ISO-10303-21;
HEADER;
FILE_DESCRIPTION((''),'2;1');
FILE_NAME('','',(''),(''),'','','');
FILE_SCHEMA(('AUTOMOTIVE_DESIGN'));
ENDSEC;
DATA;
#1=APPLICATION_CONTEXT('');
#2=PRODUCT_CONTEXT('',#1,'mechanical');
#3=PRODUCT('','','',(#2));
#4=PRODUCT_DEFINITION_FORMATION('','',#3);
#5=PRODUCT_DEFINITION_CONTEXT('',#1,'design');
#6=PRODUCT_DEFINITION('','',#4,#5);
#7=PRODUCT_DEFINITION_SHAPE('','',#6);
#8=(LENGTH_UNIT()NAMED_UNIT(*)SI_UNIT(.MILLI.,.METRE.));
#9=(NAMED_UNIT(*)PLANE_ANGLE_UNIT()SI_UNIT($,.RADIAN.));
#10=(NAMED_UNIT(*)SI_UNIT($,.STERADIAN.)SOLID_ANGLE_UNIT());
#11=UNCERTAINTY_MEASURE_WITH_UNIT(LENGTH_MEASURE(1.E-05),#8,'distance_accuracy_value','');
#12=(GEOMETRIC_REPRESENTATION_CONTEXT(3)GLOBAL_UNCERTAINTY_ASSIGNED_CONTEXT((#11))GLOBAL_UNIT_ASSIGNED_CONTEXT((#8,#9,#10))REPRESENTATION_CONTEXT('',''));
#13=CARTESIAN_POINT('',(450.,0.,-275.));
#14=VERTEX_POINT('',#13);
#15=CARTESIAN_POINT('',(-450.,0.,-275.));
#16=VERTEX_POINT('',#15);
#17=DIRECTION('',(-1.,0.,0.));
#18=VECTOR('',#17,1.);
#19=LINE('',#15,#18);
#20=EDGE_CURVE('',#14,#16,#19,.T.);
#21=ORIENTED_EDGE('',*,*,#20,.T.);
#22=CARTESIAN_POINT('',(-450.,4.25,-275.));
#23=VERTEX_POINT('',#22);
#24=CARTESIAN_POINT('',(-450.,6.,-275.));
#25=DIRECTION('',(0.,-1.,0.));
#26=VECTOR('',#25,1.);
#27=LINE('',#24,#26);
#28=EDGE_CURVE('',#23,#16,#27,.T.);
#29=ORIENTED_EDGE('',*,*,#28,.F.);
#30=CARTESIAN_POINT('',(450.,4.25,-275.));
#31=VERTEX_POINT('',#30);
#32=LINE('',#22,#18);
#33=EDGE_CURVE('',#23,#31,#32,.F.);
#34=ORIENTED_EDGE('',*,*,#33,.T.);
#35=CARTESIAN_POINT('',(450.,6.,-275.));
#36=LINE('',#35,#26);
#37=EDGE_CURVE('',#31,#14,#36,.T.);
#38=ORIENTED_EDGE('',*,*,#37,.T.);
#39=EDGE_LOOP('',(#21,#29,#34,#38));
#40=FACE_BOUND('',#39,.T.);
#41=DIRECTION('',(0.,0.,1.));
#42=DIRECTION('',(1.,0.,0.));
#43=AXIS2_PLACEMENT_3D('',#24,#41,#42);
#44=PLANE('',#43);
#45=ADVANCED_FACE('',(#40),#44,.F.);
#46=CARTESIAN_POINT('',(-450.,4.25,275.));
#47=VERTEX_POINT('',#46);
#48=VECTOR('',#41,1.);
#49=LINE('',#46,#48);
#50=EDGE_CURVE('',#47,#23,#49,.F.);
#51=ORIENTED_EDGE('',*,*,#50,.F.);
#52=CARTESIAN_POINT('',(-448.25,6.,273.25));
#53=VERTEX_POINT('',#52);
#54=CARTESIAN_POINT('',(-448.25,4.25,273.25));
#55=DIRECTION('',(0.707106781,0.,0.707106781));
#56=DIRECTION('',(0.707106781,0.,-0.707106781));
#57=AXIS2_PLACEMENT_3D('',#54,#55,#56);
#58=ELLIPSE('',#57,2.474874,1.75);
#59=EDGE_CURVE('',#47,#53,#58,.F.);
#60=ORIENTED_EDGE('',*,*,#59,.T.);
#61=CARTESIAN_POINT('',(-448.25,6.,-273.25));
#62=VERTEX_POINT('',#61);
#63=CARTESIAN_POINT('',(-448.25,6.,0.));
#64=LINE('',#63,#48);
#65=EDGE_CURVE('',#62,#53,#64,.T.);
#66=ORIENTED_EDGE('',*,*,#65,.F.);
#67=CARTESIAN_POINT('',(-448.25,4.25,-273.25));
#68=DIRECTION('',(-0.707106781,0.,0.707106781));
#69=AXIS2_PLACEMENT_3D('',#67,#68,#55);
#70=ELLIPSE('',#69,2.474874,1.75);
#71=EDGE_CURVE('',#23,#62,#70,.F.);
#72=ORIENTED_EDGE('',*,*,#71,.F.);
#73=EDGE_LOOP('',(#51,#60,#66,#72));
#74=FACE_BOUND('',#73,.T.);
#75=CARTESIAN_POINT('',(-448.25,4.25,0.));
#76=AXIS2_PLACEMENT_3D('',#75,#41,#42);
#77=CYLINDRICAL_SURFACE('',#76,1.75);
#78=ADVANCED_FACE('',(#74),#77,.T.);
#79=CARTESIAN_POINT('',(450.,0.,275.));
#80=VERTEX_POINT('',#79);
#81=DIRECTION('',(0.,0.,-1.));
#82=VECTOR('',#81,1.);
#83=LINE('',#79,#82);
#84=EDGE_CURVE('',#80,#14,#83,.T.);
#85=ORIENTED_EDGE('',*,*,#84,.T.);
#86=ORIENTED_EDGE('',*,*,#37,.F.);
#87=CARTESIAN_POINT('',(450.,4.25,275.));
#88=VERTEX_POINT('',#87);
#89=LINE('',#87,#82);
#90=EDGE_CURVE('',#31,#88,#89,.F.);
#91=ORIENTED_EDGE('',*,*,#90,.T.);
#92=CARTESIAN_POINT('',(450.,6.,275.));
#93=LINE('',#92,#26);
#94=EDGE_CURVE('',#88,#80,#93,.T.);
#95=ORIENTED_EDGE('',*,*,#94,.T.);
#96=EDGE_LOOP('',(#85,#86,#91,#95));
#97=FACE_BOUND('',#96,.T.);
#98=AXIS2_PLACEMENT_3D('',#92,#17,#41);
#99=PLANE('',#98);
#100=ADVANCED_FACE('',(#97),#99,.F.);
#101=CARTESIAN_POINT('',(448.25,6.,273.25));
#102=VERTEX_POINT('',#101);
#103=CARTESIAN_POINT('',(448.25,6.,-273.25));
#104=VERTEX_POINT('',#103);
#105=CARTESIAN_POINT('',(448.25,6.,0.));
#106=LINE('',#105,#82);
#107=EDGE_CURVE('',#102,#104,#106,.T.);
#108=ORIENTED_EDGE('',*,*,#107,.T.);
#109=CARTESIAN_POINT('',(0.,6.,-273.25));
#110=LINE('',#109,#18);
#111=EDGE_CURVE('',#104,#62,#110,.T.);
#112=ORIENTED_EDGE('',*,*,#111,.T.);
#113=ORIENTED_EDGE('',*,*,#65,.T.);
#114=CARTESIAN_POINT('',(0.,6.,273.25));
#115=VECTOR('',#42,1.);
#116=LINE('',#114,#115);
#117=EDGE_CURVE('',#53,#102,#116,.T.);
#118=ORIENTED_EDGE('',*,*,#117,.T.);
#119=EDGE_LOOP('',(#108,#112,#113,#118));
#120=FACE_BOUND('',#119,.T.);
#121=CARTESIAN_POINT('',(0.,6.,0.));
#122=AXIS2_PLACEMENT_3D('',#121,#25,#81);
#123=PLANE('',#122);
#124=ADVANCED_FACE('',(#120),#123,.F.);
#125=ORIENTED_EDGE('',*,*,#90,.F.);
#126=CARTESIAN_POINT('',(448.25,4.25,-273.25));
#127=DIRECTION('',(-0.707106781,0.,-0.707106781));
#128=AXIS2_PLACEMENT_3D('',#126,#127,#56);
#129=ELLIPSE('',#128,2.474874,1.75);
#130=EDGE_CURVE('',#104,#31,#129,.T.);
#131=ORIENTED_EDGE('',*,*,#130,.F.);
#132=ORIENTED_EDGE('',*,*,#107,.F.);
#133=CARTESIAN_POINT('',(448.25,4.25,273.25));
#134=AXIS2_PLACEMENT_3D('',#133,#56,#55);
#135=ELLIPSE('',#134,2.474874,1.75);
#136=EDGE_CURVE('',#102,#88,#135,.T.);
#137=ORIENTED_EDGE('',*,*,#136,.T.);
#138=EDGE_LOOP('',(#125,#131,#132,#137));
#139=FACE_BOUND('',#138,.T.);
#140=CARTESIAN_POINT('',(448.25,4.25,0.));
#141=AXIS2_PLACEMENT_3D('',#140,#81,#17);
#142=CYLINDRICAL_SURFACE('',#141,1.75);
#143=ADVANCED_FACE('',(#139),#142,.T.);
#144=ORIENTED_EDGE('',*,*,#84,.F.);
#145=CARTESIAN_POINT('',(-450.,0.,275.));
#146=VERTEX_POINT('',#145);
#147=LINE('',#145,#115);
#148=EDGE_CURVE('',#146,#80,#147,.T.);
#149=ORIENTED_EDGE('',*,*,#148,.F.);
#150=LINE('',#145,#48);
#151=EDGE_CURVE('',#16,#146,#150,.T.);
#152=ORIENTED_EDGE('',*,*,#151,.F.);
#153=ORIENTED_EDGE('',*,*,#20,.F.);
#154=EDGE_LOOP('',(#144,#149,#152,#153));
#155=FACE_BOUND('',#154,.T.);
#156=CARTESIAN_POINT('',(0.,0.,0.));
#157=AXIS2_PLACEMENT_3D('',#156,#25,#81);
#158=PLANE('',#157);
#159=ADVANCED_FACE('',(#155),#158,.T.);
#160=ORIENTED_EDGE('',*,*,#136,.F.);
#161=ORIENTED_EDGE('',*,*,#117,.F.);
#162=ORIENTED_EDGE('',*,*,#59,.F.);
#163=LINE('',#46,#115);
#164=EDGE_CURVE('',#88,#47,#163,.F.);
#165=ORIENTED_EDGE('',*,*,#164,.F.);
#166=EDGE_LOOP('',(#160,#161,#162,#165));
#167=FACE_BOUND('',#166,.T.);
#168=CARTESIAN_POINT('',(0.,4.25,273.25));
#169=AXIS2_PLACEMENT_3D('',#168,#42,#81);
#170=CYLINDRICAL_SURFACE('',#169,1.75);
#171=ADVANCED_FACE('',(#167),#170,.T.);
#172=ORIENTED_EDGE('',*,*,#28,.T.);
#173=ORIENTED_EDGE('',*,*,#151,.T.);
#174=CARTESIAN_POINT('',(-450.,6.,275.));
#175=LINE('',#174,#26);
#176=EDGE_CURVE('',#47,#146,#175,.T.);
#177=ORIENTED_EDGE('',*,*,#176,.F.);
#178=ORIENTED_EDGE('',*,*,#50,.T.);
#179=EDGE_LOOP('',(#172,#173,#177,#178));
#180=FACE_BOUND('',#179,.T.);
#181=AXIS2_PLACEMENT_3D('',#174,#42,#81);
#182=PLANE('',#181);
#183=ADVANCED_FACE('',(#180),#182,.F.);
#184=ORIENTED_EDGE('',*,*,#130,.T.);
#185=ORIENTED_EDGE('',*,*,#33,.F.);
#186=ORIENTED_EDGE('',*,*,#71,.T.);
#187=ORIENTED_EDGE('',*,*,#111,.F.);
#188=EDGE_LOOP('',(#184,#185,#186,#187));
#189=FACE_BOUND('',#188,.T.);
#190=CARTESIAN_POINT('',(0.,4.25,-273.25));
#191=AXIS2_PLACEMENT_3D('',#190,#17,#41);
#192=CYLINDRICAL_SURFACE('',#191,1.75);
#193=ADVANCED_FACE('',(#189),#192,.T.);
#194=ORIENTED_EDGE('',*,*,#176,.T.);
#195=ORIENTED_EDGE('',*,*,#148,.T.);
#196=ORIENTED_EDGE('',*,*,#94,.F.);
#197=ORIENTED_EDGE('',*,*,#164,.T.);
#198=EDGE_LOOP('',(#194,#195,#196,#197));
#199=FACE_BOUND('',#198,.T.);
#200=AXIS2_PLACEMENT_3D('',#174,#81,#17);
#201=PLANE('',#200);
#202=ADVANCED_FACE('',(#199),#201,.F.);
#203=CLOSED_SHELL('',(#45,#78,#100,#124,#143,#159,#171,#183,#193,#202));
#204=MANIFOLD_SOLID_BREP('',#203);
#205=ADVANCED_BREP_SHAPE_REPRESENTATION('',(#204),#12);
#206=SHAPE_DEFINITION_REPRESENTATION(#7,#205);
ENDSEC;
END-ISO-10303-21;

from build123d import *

# Parameters (mm, degrees)
SKETCH1_W           = 900
SKETCH1_H           = 550
BOSS_EXTRUDE1_DEPTH = 6
FILLET1_R           = 1.75


with BuildPart() as part:
    # Sketch1 → Boss-Extrude1 (new body)
    with BuildSketch(Plane(origin=(0, 0, 0), x_dir=(1, 0, 0), z_dir=(0, 1, 0))):
        Rectangle(SKETCH1_W, SKETCH1_H)
    extrude(amount=BOSS_EXTRUDE1_DEPTH)

    # Fillet1
    fillet1_edges = [part.edges().sort_by_distance(p)[0] for p in [
        (-450, 6, 0),
        (0, 6, 275),
        (450, 6, 0),
        (0, 6, -275),
    ]]
    fillet(fillet1_edges, radius=FILLET1_R)


solid = part.part
